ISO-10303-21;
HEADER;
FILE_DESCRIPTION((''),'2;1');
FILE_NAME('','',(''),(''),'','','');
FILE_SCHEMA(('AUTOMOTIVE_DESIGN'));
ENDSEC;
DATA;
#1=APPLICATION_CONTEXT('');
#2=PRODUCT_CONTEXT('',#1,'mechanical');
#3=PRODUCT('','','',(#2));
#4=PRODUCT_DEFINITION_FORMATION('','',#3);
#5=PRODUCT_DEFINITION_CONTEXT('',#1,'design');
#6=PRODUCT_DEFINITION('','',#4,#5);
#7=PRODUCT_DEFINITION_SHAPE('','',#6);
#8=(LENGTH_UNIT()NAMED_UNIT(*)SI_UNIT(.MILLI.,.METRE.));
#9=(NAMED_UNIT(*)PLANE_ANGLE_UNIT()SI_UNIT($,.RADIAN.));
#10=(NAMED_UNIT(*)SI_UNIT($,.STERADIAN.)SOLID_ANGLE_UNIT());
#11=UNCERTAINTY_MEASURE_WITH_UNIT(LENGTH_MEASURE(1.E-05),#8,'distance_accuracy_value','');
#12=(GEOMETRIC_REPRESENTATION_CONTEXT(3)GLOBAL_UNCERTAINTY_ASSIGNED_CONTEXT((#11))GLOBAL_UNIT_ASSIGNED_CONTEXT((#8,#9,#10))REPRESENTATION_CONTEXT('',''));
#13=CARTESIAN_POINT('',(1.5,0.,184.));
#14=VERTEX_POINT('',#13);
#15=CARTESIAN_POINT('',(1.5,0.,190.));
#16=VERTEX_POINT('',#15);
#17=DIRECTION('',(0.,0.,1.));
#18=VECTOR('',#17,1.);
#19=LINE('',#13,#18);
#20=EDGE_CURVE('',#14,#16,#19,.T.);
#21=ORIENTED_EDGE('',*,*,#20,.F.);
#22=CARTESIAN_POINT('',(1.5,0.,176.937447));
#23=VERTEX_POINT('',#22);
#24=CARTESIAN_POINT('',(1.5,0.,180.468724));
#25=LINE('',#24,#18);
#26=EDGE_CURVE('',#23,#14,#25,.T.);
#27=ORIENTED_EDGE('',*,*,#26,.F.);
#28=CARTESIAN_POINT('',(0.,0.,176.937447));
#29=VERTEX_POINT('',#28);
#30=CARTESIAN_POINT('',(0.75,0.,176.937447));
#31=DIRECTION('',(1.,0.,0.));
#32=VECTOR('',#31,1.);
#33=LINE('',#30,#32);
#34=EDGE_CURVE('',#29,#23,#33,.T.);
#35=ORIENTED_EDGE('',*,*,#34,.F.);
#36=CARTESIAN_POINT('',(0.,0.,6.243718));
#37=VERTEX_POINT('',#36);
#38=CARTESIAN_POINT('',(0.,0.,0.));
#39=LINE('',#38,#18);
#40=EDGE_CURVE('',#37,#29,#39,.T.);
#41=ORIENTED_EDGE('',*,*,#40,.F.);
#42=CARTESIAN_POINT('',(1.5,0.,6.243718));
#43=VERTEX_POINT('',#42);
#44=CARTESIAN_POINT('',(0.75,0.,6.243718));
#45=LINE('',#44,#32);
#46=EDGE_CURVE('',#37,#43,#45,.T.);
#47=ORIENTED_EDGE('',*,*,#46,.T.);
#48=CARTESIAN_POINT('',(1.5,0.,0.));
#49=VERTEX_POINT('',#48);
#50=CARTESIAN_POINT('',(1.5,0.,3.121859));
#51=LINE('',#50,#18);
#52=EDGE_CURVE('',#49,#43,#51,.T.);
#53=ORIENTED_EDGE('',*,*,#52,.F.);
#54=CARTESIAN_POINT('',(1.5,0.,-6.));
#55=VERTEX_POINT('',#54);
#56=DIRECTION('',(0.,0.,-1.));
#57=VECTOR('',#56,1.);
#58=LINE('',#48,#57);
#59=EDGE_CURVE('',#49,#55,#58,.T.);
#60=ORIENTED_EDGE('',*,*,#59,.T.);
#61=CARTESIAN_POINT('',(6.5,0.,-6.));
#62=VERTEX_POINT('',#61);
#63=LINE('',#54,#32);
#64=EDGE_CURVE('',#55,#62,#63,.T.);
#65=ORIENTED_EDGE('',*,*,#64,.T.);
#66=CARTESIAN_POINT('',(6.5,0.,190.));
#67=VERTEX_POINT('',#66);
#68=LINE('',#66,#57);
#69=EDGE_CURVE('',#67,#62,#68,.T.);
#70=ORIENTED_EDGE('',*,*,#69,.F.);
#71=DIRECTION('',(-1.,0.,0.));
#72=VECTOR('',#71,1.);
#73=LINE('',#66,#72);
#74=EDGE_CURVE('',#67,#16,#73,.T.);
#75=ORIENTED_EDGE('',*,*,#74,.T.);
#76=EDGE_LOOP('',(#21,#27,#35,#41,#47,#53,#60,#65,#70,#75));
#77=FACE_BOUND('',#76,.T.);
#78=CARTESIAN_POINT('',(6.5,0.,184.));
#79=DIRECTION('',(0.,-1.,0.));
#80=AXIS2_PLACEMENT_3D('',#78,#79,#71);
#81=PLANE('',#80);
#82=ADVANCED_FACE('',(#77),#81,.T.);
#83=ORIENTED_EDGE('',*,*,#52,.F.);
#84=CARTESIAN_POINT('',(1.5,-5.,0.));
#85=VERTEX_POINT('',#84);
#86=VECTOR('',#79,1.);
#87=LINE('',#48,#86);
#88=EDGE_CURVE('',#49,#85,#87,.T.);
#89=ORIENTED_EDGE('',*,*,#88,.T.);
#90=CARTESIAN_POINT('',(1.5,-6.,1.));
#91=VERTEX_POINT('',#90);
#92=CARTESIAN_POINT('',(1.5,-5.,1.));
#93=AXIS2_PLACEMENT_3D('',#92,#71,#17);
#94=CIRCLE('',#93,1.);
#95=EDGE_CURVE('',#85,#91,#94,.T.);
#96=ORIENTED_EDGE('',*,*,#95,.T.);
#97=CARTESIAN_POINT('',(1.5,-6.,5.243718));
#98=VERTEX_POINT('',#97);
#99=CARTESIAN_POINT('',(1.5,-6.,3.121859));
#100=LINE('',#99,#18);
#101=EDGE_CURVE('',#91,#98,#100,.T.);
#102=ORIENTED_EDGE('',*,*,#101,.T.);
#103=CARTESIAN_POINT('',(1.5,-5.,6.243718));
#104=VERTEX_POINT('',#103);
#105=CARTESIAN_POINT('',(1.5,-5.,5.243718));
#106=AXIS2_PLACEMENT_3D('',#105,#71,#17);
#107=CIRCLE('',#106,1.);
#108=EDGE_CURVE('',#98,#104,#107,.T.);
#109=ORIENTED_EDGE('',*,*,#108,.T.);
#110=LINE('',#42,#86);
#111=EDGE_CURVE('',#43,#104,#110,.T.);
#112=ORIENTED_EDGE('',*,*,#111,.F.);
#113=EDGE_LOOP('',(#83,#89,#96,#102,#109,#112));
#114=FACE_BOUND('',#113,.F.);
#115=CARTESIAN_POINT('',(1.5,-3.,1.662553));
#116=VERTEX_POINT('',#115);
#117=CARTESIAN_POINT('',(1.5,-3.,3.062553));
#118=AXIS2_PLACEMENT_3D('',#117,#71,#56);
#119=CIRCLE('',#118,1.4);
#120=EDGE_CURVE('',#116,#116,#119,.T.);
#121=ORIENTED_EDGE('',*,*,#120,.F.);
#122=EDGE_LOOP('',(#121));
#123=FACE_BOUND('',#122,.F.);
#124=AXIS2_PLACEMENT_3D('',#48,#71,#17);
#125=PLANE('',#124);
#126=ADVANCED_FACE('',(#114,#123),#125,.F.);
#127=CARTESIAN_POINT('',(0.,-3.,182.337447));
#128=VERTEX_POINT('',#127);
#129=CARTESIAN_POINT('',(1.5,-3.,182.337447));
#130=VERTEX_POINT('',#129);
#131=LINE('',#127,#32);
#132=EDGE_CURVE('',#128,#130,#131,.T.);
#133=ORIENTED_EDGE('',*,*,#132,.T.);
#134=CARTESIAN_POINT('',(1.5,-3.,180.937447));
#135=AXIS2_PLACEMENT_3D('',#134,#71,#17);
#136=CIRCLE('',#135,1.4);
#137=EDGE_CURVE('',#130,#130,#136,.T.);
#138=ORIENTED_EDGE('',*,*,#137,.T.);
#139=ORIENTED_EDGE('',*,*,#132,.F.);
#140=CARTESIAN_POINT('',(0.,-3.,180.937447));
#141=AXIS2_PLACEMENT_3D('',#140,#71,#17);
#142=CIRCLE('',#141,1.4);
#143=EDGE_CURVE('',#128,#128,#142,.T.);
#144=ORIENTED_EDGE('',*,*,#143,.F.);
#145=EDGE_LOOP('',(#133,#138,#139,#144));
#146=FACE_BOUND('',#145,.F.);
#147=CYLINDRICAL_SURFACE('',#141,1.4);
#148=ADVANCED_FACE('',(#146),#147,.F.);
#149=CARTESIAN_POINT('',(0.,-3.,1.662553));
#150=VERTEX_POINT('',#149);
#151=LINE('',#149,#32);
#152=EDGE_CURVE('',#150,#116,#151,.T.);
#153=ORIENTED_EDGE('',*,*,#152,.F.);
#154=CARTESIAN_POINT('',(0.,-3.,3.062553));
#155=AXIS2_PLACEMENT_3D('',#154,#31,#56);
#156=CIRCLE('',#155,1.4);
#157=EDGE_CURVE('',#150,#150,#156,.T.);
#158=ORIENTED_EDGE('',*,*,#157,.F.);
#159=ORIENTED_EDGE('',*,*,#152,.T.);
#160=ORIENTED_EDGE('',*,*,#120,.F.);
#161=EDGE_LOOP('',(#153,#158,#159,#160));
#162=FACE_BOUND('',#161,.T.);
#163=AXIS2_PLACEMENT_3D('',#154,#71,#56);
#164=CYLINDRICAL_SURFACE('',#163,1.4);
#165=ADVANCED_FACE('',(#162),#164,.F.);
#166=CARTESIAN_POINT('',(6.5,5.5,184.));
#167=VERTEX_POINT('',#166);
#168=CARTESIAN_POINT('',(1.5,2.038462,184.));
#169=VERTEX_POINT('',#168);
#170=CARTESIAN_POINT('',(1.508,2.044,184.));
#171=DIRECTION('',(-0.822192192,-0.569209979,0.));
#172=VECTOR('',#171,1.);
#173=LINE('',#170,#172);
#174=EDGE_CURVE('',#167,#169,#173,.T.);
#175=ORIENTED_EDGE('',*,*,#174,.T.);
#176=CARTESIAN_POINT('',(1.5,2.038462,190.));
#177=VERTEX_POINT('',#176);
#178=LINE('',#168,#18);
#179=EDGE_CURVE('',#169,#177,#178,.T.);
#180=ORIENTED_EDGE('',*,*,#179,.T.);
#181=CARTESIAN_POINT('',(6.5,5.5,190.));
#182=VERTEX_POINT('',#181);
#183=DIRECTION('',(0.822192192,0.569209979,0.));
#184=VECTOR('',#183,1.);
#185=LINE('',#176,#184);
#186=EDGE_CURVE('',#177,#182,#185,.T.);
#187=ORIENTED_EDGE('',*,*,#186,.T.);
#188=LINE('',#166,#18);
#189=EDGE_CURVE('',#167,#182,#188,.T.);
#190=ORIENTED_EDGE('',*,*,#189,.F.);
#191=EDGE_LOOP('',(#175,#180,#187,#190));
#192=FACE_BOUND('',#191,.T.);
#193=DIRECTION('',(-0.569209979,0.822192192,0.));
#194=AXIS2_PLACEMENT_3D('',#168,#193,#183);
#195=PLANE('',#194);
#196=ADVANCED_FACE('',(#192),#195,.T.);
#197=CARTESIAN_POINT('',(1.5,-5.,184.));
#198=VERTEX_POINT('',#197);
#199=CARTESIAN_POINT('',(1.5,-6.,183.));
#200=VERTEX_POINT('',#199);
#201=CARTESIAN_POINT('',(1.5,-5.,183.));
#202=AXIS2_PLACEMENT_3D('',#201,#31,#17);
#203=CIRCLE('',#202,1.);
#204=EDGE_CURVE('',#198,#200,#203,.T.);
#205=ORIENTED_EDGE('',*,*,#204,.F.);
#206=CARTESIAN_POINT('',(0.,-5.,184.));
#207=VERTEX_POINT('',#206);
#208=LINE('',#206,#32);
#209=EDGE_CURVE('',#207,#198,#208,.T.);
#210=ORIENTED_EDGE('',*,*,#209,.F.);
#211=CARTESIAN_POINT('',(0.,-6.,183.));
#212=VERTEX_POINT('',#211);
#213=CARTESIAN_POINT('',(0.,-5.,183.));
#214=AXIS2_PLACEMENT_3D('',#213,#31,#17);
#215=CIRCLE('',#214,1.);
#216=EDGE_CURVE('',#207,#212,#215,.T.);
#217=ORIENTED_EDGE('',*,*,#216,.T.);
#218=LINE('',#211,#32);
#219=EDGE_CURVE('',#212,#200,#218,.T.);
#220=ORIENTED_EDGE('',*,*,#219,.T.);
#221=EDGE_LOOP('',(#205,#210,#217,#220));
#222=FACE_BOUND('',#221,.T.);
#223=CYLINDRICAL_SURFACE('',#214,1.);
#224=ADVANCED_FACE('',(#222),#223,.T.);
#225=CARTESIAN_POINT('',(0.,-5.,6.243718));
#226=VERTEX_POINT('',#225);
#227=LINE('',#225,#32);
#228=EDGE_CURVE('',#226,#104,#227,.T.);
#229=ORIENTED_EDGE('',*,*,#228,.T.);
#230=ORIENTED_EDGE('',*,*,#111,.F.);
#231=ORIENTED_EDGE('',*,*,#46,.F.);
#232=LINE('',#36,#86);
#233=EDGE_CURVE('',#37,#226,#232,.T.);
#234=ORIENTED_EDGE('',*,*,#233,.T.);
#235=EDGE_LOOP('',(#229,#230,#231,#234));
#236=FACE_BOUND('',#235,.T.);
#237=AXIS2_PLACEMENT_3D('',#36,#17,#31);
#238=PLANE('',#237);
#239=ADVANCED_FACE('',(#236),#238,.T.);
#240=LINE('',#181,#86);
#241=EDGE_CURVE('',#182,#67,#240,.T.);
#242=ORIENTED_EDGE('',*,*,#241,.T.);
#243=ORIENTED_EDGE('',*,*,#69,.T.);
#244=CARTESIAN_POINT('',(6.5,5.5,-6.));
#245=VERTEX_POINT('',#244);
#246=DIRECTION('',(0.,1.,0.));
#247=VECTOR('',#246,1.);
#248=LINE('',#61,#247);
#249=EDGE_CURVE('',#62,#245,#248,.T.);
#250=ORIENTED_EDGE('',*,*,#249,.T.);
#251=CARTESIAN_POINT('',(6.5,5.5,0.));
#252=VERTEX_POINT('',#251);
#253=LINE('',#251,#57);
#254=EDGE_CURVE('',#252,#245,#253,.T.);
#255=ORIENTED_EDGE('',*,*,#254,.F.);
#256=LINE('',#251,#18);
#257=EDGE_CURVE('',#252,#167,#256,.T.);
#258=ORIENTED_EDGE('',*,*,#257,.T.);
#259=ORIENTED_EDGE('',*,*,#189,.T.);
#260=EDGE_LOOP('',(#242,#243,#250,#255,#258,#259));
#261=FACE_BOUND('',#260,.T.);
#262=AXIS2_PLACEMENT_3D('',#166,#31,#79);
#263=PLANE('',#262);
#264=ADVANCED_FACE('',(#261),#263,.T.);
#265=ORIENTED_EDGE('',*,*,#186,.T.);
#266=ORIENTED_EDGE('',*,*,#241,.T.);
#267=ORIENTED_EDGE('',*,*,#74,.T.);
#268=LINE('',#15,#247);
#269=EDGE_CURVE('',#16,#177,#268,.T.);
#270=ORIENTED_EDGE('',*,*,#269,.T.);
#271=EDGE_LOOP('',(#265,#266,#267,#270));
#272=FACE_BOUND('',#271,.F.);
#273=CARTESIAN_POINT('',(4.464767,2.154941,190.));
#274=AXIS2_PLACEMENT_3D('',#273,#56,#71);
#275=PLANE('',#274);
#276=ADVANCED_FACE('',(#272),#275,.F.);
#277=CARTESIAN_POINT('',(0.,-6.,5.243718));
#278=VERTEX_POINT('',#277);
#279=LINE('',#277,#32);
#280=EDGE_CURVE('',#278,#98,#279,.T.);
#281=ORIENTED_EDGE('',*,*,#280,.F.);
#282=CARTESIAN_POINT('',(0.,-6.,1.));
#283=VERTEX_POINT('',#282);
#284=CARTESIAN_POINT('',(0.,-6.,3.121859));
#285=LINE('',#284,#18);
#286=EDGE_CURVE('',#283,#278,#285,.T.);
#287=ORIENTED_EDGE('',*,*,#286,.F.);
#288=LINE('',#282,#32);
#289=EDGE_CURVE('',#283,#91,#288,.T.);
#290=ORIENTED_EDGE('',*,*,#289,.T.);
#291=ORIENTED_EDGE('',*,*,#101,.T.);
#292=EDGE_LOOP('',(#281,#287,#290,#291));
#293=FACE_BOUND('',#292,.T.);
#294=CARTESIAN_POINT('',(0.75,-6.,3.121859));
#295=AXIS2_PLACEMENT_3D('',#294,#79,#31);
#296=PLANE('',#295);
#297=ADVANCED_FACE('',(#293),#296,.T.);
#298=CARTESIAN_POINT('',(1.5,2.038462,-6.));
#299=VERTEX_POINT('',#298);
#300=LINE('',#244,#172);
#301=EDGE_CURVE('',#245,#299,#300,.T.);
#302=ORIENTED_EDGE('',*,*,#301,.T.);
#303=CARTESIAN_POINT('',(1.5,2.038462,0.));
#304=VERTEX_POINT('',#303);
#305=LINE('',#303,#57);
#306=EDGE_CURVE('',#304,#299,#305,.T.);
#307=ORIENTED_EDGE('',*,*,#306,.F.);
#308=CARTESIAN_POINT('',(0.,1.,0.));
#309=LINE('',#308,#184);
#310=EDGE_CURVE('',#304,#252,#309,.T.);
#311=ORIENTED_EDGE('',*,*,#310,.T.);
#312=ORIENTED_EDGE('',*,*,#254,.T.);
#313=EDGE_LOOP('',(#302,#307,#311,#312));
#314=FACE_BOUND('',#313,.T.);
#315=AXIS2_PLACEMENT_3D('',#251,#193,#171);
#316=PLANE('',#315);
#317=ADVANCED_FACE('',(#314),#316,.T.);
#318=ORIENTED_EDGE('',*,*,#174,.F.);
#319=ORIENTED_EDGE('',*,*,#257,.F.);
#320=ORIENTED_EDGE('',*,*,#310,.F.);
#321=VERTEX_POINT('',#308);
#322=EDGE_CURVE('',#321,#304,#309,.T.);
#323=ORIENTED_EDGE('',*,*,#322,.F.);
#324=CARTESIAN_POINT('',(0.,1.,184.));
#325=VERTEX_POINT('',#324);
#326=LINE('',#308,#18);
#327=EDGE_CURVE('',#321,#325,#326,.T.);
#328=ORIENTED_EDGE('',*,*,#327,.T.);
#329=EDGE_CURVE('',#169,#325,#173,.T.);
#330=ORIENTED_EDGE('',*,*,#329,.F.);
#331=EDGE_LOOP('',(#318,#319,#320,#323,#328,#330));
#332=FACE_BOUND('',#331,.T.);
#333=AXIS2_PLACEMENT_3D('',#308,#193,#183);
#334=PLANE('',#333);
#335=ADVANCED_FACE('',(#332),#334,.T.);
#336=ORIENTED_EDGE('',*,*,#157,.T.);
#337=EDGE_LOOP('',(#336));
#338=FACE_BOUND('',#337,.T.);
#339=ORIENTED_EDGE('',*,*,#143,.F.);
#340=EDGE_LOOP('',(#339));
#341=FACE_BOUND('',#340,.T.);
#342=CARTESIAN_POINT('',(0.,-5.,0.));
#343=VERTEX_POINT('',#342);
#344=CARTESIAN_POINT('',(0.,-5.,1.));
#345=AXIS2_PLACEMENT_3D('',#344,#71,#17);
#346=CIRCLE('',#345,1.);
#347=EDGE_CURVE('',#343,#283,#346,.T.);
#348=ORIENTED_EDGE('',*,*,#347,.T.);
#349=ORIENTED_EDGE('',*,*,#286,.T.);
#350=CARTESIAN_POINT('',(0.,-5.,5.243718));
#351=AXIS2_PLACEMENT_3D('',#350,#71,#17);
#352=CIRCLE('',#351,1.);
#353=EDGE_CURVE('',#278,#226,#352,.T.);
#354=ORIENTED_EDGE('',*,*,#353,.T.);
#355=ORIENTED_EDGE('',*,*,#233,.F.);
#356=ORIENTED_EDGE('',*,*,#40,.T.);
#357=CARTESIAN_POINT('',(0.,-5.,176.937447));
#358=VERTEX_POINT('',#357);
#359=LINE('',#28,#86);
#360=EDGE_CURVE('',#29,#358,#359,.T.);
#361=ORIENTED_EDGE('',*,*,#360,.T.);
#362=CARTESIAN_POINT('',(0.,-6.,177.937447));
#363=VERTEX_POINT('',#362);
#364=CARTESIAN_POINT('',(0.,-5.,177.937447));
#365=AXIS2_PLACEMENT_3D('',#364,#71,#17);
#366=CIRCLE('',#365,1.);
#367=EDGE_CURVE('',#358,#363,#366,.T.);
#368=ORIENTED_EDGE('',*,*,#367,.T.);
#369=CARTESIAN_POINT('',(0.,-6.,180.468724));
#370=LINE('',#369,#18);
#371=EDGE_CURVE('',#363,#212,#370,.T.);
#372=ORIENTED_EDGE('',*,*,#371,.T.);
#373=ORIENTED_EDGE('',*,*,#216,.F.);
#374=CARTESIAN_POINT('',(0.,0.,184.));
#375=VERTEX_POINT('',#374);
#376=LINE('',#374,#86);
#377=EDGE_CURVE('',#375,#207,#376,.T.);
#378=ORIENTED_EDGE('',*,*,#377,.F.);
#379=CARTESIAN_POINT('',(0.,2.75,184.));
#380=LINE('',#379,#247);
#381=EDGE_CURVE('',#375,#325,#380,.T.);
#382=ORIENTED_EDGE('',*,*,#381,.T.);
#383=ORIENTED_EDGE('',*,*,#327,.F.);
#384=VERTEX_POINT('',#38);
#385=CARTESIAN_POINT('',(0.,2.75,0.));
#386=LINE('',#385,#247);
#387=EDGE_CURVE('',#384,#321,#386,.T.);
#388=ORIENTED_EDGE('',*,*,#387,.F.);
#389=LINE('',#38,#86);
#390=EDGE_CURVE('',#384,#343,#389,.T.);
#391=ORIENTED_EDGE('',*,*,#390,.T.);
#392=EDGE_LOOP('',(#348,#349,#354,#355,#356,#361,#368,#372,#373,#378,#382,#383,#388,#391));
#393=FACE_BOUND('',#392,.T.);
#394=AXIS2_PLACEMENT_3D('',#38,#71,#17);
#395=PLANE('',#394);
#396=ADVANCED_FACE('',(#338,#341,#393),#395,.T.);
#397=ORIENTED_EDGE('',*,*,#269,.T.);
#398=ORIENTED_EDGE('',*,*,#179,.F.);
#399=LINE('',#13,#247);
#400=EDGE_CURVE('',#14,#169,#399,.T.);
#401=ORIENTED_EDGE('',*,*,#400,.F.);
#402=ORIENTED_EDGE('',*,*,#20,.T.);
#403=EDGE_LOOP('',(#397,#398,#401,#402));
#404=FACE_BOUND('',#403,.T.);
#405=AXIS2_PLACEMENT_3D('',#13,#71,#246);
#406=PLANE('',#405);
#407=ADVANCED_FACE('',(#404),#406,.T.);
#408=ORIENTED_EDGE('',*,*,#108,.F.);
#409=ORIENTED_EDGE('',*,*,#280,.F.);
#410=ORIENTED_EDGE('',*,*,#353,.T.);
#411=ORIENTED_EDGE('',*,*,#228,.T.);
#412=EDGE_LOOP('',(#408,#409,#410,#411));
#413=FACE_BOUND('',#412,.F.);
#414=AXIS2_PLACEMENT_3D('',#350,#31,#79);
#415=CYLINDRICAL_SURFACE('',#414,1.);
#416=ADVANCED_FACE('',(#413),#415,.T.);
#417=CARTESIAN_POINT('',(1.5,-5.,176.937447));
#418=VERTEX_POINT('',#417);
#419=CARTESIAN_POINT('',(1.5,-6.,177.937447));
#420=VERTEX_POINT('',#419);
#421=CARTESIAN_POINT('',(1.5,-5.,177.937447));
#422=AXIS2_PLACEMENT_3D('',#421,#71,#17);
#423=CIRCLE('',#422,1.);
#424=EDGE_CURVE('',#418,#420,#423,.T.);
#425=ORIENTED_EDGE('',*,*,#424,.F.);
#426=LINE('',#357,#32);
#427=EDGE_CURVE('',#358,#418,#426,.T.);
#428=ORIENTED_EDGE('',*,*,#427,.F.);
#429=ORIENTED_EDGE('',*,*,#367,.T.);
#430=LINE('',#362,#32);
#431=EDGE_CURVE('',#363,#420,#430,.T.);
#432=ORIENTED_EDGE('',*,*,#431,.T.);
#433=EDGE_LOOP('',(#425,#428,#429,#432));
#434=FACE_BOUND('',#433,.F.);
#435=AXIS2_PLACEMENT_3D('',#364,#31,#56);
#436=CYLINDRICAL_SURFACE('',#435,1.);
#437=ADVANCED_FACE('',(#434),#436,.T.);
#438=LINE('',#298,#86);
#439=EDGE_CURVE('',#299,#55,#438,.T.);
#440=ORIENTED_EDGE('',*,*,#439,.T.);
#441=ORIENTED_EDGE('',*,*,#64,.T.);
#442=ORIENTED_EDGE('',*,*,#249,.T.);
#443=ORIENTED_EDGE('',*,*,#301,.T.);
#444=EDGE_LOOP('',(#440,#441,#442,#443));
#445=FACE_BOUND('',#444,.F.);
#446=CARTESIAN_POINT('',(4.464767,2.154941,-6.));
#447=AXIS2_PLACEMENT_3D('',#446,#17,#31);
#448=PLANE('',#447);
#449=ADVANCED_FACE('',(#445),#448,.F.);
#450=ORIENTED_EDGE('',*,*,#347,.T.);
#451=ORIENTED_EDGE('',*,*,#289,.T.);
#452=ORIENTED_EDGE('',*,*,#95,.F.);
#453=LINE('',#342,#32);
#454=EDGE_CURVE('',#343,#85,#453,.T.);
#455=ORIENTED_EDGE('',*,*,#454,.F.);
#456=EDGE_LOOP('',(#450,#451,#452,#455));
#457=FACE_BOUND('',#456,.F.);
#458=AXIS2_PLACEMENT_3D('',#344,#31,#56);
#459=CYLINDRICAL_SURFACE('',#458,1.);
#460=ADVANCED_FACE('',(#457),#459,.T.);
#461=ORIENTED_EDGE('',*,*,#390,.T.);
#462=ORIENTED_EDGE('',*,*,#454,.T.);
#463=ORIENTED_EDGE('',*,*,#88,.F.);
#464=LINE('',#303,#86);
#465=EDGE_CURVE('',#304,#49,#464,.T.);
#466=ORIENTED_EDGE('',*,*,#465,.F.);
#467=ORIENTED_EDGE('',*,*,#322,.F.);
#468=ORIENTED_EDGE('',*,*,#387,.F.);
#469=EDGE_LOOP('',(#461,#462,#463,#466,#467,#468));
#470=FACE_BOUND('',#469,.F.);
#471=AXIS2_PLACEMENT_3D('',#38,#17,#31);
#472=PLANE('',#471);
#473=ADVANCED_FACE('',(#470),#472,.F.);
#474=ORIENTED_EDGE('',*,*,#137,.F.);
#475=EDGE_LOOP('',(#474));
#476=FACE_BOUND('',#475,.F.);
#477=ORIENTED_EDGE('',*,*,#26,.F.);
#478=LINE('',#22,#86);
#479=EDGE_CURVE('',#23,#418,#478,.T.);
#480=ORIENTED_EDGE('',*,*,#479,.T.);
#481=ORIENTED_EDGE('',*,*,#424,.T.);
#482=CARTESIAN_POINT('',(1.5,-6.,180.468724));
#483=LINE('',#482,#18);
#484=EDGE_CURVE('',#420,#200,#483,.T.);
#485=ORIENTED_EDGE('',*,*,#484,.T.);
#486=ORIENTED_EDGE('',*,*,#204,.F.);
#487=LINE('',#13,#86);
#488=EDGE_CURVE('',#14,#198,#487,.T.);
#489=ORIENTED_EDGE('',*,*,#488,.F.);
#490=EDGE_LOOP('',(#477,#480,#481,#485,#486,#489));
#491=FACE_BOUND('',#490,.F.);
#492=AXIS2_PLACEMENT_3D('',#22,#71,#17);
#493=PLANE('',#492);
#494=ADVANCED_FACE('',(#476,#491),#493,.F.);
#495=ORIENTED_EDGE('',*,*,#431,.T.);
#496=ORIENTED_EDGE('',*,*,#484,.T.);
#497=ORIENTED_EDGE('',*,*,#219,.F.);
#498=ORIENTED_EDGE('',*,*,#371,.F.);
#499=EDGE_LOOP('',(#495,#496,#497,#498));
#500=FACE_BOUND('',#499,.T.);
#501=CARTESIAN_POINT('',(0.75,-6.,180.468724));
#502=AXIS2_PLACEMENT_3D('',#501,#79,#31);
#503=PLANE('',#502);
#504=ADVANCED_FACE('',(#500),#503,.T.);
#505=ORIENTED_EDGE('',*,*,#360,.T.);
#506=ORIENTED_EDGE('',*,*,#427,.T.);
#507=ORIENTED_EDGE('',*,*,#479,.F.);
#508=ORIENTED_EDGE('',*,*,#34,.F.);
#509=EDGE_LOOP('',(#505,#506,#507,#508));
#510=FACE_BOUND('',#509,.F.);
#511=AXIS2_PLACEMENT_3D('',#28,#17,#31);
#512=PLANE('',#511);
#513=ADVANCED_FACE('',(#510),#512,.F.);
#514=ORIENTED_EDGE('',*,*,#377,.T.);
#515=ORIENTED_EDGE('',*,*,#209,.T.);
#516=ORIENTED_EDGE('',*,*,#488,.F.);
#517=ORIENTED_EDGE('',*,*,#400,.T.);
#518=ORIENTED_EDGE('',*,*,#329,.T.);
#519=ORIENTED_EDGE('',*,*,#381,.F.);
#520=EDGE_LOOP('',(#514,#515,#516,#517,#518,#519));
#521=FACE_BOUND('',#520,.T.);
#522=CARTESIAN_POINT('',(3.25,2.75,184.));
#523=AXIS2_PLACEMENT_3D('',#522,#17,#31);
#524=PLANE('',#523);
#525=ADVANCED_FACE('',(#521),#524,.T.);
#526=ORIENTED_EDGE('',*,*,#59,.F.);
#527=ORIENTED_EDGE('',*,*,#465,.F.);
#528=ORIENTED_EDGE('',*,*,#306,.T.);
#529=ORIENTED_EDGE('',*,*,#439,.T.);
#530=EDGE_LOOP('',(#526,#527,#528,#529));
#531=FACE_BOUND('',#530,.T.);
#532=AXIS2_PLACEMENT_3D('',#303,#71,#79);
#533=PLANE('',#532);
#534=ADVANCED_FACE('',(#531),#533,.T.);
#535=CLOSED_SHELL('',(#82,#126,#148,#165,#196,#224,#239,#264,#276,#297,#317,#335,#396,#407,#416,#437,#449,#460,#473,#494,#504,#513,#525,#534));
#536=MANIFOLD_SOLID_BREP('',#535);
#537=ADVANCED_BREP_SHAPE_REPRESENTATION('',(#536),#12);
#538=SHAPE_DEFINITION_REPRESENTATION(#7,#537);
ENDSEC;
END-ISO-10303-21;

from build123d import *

# Parameters (mm, degrees)
SKETCH1_W           = 6.5
SKETCH1_H           = 5.5
BOSS_EXTRUDE1_DEPTH = 184
CUT_EXTRUDE2_DEPTH  = 185
SKETCH3_W           = 1.5
SKETCH3_H           = 6.243718407
SKETCH3_H_2         = 7.062553001
BOSS_EXTRUDE2_DEPTH = 6
SKETCH4_R           = 1.4
CUT_EXTRUDE3_DEPTH  = 7.5
FILLET1_R           = 1
BOSS_EXTRUDE3_DEPTH = 6
BOSS_EXTRUDE4_DEPTH = 6


with BuildPart() as part:
    # Sketch1 → Boss-Extrude1 (new body)
    with BuildSketch(Plane.XY):
        with Locations((3.25, 2.75)):
            Rectangle(SKETCH1_W, SKETCH1_H)
    extrude(amount=BOSS_EXTRUDE1_DEPTH)

    # Sketch2 → Cut-Extrude2 (cut, through all)
    with BuildSketch(Plane(origin=(0, 0, 0), x_dir=(-1, 0, 0), z_dir=(0, 0, -1))):
        Polygon((0, 1), (-6.5, 5.5), (0, 5.5), align=None)
    extrude(amount=-CUT_EXTRUDE2_DEPTH, mode=Mode.SUBTRACT)

    # Sketch3 → Boss-Extrude2 (add)
    with BuildSketch(Plane.XZ):
        with Locations((0.75, 3.121859204)):
            Rectangle(SKETCH3_W, SKETCH3_H)
        with Locations((0.75, 180.4687235)):
            Rectangle(SKETCH3_W, SKETCH3_H_2)
    extrude(amount=BOSS_EXTRUDE2_DEPTH)

    # Sketch4 → Cut-Extrude3 (cut, through all)
    with BuildSketch(Plane.ZY):
        with Locations((180.937446999, -3)):
            Circle(SKETCH4_R)
    cut_extrude3 = extrude(amount=-CUT_EXTRUDE3_DEPTH, mode=Mode.SUBTRACT)

    # Mirror1: Cut-Extrude3 across plane
    add(cut_extrude3.mirror(Plane.XY.offset(92)), mode=Mode.SUBTRACT)

    # Fillet1
    fillet1_edges = [part.edges().sort_by_distance(p)[0] for p in [
        (0.75, -6, 6.243718407),
        (0.75, -6, 0),
        (0.75, -6, 184),
        (0.75, -6, 176.937446999),
    ]]
    fillet(fillet1_edges, radius=FILLET1_R)

    # Sketch5 → Boss-Extrude3 (add)
    with BuildSketch(Plane(origin=(0, 0, 0), x_dir=(-1, 0, 0), z_dir=(0, 0, -1))):
        Polygon((-6.5, 0), (-6.5, 5.5), (-1.5, 2.038461538), (-1.5, 0), align=None)
    extrude(amount=BOSS_EXTRUDE3_DEPTH)

    # Sketch6 → Boss-Extrude4 (add)
    with BuildSketch(Plane.XY.offset(184)):
        Polygon((6.5, 5.5), (6.5, 0), (1.5, 0), (1.5, 2.038461538), align=None)
    extrude(amount=BOSS_EXTRUDE4_DEPTH)


solid = part.part
